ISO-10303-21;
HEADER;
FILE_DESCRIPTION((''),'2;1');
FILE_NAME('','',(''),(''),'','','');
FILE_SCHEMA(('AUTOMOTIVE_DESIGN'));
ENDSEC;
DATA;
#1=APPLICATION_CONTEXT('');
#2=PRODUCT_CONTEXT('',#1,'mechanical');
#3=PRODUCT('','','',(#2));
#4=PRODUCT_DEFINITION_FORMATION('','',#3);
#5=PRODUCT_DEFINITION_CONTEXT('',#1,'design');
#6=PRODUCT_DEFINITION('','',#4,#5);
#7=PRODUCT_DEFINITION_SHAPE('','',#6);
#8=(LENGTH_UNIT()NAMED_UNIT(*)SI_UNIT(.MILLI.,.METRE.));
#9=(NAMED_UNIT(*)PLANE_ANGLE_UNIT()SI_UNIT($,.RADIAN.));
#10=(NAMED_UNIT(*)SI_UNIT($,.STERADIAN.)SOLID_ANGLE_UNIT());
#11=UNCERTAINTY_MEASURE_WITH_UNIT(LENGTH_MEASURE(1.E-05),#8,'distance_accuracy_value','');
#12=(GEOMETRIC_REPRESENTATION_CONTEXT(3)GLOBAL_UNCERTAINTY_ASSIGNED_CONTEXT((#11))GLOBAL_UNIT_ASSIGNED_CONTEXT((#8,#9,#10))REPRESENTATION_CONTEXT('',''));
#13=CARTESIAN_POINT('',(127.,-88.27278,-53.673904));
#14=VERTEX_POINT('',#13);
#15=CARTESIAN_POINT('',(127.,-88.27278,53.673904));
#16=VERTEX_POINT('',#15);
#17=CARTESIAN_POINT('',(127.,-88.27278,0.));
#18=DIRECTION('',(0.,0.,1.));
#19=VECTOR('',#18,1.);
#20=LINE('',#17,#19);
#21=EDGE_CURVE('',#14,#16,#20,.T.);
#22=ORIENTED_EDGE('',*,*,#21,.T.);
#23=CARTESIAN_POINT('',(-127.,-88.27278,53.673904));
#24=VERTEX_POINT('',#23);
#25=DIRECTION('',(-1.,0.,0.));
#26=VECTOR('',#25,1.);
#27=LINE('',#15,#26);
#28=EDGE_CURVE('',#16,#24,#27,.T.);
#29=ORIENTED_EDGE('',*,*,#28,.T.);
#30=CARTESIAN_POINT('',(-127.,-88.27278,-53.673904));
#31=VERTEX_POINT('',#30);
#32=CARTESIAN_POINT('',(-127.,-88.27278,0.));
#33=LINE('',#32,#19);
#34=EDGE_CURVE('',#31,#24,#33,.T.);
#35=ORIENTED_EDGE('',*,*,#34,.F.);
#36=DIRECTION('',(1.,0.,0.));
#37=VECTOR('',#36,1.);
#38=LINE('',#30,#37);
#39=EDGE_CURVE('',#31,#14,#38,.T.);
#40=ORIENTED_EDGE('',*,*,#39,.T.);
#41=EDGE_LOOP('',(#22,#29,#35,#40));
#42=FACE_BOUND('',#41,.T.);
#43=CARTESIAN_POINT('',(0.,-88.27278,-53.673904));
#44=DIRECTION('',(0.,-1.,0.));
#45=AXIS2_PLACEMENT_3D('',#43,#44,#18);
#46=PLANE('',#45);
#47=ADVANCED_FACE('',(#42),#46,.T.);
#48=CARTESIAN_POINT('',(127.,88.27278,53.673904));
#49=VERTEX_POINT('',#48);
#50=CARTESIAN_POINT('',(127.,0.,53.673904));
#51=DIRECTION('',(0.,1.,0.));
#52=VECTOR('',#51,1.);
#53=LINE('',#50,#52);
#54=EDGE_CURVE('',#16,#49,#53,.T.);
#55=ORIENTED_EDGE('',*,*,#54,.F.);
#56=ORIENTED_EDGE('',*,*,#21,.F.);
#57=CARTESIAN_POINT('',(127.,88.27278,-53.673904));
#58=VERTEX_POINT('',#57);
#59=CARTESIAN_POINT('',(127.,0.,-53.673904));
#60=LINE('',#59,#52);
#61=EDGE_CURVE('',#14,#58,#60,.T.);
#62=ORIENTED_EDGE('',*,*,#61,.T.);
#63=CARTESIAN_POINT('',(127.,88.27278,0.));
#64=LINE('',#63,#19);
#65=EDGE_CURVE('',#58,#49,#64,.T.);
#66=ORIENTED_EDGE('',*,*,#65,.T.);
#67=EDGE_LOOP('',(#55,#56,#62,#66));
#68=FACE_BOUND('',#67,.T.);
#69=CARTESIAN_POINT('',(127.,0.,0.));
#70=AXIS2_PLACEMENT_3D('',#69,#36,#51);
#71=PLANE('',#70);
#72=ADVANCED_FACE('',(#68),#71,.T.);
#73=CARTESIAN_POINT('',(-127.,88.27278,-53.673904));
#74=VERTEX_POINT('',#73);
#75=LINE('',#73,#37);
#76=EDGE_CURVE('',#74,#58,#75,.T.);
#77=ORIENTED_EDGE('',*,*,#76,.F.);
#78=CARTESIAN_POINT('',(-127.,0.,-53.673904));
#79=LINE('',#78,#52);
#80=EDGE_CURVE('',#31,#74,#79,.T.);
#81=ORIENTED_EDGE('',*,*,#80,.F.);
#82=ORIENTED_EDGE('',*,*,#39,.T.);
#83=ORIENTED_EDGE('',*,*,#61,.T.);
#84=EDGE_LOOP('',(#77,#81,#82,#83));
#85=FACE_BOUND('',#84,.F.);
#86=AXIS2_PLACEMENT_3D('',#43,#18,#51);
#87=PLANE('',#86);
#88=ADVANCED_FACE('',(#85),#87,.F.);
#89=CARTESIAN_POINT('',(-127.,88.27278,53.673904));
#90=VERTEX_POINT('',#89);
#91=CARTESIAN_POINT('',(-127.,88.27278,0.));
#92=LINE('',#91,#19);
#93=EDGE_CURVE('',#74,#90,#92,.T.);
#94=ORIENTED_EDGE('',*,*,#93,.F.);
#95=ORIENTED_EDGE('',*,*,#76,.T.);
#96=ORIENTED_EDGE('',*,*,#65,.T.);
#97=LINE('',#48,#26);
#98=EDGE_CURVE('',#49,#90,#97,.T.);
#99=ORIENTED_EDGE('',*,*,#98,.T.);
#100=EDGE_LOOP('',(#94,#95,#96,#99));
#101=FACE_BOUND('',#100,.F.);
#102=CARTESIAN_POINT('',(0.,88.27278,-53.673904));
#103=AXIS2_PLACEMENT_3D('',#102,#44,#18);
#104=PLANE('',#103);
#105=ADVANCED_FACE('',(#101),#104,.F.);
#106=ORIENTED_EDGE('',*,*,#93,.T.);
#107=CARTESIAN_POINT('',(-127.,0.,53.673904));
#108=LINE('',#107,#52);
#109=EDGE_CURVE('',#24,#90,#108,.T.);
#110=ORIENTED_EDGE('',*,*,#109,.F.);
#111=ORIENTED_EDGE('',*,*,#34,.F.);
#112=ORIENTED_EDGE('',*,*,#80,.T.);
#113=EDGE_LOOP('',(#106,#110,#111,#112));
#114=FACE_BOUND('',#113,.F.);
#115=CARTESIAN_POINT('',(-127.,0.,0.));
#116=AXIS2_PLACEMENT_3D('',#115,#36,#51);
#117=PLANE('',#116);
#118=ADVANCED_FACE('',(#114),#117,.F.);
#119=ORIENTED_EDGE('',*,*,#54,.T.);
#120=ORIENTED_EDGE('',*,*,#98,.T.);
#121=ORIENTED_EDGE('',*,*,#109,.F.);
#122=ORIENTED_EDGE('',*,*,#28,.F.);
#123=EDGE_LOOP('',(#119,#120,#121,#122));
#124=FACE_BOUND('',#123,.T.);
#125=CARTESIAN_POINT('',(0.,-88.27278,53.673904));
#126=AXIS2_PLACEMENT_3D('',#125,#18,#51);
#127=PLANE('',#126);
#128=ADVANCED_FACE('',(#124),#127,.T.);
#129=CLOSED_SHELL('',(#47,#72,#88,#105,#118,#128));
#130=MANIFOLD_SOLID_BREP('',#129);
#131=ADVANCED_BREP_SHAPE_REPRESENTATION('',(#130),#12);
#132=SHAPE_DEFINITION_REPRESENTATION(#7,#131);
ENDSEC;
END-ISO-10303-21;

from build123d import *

# Parameters (mm, degrees)
F0_W      = 176.54556
F0_H      = 107.347808
F1_DEPTH  = 127
F1_FACE_W = 176.54556
F1_FACE_H = 107.347808
F2_DEPTH  = 127


with BuildPart() as f1:
    # F0 (on Right) → F1 (new body)
    with BuildSketch(Plane.YZ):
        Rectangle(F0_W, F0_H)
    extrude(amount=-F1_DEPTH)

    # F1_face (on face) → F2 (join)
    with BuildSketch(Plane.YZ):
        Rectangle(F1_FACE_W, F1_FACE_H)
    extrude(amount=F2_DEPTH)


solid = f1.part
